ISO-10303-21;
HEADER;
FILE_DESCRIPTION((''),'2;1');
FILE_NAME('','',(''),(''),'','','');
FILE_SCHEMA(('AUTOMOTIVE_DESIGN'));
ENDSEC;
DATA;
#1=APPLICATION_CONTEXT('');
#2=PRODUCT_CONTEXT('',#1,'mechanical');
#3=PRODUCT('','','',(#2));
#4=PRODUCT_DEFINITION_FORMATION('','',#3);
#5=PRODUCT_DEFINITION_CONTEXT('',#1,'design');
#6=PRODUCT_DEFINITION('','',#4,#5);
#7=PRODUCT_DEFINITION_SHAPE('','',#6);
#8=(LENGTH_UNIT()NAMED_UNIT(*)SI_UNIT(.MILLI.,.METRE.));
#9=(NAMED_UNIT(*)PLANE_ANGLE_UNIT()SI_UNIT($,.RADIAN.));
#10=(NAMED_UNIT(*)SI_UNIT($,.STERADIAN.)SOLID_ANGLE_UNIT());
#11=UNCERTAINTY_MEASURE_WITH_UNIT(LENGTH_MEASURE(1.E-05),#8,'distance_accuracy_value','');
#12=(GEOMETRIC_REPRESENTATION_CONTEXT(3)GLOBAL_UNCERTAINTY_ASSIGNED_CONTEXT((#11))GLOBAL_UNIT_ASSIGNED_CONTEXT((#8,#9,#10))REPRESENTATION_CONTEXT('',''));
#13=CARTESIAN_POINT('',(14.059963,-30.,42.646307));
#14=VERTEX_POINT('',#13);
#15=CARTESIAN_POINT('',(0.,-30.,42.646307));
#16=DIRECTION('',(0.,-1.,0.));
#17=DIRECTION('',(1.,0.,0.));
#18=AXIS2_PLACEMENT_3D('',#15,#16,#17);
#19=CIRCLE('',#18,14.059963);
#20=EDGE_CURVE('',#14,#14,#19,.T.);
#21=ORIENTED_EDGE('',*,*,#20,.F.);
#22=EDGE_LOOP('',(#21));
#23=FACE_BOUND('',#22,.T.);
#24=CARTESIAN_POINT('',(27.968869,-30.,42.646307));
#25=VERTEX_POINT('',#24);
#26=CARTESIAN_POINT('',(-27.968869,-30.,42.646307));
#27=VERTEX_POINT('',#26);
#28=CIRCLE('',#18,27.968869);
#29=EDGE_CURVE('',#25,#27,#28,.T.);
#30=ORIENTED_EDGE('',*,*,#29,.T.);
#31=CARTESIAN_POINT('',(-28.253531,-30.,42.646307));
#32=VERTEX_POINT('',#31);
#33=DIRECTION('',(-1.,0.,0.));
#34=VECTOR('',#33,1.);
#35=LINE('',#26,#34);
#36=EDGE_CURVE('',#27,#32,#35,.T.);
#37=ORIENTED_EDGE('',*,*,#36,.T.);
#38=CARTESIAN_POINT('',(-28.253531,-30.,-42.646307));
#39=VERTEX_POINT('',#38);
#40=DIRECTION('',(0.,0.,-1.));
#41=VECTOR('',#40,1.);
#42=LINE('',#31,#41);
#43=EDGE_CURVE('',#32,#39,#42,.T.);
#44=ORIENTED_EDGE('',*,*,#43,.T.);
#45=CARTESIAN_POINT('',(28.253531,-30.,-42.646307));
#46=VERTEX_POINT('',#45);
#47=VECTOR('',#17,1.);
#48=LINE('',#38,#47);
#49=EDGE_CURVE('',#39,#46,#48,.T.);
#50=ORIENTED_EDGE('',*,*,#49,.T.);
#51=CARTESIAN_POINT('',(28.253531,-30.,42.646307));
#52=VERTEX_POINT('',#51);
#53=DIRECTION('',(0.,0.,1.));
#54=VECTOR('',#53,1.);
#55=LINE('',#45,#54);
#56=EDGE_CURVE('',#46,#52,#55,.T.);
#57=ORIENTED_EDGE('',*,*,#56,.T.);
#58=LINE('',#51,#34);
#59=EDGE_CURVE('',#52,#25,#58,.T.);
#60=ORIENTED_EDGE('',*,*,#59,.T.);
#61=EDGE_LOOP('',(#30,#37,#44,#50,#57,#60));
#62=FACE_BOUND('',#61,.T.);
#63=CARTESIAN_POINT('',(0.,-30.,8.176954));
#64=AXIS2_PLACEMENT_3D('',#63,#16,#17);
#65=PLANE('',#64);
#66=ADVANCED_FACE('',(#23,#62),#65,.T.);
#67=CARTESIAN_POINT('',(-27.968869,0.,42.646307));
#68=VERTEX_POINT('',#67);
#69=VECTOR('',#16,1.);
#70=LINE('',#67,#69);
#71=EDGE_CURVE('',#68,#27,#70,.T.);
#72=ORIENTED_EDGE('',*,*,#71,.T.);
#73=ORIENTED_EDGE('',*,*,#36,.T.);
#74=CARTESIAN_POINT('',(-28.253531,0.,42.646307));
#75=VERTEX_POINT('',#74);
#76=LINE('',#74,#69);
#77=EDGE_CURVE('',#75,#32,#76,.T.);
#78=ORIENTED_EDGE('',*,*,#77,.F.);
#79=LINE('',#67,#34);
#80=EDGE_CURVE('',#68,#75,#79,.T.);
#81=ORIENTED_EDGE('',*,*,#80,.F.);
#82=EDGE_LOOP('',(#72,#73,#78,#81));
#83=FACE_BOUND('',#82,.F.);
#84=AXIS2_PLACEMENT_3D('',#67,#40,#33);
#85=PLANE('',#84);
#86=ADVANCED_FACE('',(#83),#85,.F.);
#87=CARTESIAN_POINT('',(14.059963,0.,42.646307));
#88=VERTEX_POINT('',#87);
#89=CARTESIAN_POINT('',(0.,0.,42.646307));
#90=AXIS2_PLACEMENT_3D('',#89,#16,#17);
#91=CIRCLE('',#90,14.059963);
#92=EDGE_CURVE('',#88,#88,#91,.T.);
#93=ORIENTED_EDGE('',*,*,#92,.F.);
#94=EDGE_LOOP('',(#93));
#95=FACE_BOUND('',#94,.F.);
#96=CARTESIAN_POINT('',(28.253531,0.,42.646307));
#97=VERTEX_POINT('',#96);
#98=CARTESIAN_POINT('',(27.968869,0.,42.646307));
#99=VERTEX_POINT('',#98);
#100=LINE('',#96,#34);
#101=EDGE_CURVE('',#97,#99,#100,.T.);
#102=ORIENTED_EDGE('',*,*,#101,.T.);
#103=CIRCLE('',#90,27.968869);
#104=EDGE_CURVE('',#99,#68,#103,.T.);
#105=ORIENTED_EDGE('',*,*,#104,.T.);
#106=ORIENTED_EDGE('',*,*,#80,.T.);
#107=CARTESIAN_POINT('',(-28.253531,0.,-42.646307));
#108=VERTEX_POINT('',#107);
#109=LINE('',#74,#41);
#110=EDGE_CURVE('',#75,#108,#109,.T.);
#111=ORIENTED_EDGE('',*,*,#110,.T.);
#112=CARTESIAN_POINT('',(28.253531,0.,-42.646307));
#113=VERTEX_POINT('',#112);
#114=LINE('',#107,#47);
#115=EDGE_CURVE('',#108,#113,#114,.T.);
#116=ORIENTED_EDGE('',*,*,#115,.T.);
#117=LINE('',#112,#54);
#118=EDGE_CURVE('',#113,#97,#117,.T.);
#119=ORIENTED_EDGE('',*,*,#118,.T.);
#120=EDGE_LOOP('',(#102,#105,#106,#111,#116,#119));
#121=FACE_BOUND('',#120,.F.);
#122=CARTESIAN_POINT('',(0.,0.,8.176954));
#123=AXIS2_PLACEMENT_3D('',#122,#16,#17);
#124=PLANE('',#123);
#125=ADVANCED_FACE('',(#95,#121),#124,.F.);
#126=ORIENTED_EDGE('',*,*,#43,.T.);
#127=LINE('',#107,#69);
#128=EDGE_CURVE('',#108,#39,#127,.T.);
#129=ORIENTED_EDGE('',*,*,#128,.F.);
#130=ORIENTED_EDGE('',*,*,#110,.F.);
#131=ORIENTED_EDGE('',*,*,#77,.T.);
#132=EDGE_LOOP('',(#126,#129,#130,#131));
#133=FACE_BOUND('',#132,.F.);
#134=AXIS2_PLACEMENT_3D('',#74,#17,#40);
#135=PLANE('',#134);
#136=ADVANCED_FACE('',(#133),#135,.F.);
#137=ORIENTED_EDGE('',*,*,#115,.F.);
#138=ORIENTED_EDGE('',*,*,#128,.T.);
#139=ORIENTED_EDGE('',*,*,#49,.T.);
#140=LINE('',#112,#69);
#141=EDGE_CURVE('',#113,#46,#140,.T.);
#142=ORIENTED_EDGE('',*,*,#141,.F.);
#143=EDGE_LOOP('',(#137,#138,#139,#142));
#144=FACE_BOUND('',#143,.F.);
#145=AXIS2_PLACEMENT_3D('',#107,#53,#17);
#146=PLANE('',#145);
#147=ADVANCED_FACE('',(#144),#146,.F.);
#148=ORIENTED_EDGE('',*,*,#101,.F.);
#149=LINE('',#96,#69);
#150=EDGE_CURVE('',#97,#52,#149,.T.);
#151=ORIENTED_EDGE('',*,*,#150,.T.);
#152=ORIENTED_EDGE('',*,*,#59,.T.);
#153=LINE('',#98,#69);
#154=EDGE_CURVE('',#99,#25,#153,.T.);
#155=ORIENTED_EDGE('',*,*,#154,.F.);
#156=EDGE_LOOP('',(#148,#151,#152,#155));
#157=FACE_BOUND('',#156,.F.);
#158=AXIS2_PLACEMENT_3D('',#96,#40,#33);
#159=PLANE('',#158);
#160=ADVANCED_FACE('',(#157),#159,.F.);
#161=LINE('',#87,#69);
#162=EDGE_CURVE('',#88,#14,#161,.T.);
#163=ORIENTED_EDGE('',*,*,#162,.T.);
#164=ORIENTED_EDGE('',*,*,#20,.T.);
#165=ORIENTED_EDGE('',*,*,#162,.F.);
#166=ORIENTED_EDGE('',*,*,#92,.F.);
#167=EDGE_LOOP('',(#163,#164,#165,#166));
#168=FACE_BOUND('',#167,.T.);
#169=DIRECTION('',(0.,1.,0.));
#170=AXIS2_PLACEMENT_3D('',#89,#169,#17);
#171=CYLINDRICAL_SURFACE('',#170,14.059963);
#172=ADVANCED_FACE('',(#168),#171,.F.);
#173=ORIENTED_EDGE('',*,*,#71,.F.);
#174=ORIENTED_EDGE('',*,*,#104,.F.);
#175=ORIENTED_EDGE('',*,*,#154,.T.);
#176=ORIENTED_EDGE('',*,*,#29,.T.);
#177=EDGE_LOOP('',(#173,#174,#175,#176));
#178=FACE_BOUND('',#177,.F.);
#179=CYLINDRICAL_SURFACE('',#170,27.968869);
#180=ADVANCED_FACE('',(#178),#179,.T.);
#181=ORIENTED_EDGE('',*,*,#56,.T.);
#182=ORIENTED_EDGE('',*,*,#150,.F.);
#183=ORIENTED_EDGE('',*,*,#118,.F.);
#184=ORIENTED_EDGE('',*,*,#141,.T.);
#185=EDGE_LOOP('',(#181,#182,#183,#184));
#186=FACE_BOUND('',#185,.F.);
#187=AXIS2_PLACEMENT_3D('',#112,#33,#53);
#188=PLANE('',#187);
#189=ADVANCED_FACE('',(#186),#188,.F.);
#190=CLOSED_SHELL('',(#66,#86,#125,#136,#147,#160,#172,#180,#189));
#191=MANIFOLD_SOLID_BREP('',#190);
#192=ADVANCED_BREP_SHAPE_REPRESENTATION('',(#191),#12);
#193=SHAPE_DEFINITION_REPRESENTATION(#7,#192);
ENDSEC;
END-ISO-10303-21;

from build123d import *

# Parameters (mm, degrees)
F0_R     = 14.059963
F1_DEPTH = 30


with BuildPart() as f1:
    # F0 (on Front) → F1 (new body)
    with BuildSketch(Plane.XZ):
        with BuildLine():
            Line((28.253531, -42.646307), (28.253531, 42.646307))
            Line((28.253531, 42.646307), (27.968869, 42.646307))
            ThreePointArc((27.968869, 42.646307), (0, 70.615176), (-27.968869, 42.646307))
            Line((-27.968869, 42.646307), (-28.253531, 42.646307))
            Line((-28.253531, 42.646307), (-28.253531, -42.646307))
            Line((-28.253531, -42.646307), (28.253531, -42.646307))
        make_face()
        with Locations((0, 42.646307)):
            Circle(F0_R, mode=Mode.SUBTRACT)
    extrude(amount=F1_DEPTH)


solid = f1.part
